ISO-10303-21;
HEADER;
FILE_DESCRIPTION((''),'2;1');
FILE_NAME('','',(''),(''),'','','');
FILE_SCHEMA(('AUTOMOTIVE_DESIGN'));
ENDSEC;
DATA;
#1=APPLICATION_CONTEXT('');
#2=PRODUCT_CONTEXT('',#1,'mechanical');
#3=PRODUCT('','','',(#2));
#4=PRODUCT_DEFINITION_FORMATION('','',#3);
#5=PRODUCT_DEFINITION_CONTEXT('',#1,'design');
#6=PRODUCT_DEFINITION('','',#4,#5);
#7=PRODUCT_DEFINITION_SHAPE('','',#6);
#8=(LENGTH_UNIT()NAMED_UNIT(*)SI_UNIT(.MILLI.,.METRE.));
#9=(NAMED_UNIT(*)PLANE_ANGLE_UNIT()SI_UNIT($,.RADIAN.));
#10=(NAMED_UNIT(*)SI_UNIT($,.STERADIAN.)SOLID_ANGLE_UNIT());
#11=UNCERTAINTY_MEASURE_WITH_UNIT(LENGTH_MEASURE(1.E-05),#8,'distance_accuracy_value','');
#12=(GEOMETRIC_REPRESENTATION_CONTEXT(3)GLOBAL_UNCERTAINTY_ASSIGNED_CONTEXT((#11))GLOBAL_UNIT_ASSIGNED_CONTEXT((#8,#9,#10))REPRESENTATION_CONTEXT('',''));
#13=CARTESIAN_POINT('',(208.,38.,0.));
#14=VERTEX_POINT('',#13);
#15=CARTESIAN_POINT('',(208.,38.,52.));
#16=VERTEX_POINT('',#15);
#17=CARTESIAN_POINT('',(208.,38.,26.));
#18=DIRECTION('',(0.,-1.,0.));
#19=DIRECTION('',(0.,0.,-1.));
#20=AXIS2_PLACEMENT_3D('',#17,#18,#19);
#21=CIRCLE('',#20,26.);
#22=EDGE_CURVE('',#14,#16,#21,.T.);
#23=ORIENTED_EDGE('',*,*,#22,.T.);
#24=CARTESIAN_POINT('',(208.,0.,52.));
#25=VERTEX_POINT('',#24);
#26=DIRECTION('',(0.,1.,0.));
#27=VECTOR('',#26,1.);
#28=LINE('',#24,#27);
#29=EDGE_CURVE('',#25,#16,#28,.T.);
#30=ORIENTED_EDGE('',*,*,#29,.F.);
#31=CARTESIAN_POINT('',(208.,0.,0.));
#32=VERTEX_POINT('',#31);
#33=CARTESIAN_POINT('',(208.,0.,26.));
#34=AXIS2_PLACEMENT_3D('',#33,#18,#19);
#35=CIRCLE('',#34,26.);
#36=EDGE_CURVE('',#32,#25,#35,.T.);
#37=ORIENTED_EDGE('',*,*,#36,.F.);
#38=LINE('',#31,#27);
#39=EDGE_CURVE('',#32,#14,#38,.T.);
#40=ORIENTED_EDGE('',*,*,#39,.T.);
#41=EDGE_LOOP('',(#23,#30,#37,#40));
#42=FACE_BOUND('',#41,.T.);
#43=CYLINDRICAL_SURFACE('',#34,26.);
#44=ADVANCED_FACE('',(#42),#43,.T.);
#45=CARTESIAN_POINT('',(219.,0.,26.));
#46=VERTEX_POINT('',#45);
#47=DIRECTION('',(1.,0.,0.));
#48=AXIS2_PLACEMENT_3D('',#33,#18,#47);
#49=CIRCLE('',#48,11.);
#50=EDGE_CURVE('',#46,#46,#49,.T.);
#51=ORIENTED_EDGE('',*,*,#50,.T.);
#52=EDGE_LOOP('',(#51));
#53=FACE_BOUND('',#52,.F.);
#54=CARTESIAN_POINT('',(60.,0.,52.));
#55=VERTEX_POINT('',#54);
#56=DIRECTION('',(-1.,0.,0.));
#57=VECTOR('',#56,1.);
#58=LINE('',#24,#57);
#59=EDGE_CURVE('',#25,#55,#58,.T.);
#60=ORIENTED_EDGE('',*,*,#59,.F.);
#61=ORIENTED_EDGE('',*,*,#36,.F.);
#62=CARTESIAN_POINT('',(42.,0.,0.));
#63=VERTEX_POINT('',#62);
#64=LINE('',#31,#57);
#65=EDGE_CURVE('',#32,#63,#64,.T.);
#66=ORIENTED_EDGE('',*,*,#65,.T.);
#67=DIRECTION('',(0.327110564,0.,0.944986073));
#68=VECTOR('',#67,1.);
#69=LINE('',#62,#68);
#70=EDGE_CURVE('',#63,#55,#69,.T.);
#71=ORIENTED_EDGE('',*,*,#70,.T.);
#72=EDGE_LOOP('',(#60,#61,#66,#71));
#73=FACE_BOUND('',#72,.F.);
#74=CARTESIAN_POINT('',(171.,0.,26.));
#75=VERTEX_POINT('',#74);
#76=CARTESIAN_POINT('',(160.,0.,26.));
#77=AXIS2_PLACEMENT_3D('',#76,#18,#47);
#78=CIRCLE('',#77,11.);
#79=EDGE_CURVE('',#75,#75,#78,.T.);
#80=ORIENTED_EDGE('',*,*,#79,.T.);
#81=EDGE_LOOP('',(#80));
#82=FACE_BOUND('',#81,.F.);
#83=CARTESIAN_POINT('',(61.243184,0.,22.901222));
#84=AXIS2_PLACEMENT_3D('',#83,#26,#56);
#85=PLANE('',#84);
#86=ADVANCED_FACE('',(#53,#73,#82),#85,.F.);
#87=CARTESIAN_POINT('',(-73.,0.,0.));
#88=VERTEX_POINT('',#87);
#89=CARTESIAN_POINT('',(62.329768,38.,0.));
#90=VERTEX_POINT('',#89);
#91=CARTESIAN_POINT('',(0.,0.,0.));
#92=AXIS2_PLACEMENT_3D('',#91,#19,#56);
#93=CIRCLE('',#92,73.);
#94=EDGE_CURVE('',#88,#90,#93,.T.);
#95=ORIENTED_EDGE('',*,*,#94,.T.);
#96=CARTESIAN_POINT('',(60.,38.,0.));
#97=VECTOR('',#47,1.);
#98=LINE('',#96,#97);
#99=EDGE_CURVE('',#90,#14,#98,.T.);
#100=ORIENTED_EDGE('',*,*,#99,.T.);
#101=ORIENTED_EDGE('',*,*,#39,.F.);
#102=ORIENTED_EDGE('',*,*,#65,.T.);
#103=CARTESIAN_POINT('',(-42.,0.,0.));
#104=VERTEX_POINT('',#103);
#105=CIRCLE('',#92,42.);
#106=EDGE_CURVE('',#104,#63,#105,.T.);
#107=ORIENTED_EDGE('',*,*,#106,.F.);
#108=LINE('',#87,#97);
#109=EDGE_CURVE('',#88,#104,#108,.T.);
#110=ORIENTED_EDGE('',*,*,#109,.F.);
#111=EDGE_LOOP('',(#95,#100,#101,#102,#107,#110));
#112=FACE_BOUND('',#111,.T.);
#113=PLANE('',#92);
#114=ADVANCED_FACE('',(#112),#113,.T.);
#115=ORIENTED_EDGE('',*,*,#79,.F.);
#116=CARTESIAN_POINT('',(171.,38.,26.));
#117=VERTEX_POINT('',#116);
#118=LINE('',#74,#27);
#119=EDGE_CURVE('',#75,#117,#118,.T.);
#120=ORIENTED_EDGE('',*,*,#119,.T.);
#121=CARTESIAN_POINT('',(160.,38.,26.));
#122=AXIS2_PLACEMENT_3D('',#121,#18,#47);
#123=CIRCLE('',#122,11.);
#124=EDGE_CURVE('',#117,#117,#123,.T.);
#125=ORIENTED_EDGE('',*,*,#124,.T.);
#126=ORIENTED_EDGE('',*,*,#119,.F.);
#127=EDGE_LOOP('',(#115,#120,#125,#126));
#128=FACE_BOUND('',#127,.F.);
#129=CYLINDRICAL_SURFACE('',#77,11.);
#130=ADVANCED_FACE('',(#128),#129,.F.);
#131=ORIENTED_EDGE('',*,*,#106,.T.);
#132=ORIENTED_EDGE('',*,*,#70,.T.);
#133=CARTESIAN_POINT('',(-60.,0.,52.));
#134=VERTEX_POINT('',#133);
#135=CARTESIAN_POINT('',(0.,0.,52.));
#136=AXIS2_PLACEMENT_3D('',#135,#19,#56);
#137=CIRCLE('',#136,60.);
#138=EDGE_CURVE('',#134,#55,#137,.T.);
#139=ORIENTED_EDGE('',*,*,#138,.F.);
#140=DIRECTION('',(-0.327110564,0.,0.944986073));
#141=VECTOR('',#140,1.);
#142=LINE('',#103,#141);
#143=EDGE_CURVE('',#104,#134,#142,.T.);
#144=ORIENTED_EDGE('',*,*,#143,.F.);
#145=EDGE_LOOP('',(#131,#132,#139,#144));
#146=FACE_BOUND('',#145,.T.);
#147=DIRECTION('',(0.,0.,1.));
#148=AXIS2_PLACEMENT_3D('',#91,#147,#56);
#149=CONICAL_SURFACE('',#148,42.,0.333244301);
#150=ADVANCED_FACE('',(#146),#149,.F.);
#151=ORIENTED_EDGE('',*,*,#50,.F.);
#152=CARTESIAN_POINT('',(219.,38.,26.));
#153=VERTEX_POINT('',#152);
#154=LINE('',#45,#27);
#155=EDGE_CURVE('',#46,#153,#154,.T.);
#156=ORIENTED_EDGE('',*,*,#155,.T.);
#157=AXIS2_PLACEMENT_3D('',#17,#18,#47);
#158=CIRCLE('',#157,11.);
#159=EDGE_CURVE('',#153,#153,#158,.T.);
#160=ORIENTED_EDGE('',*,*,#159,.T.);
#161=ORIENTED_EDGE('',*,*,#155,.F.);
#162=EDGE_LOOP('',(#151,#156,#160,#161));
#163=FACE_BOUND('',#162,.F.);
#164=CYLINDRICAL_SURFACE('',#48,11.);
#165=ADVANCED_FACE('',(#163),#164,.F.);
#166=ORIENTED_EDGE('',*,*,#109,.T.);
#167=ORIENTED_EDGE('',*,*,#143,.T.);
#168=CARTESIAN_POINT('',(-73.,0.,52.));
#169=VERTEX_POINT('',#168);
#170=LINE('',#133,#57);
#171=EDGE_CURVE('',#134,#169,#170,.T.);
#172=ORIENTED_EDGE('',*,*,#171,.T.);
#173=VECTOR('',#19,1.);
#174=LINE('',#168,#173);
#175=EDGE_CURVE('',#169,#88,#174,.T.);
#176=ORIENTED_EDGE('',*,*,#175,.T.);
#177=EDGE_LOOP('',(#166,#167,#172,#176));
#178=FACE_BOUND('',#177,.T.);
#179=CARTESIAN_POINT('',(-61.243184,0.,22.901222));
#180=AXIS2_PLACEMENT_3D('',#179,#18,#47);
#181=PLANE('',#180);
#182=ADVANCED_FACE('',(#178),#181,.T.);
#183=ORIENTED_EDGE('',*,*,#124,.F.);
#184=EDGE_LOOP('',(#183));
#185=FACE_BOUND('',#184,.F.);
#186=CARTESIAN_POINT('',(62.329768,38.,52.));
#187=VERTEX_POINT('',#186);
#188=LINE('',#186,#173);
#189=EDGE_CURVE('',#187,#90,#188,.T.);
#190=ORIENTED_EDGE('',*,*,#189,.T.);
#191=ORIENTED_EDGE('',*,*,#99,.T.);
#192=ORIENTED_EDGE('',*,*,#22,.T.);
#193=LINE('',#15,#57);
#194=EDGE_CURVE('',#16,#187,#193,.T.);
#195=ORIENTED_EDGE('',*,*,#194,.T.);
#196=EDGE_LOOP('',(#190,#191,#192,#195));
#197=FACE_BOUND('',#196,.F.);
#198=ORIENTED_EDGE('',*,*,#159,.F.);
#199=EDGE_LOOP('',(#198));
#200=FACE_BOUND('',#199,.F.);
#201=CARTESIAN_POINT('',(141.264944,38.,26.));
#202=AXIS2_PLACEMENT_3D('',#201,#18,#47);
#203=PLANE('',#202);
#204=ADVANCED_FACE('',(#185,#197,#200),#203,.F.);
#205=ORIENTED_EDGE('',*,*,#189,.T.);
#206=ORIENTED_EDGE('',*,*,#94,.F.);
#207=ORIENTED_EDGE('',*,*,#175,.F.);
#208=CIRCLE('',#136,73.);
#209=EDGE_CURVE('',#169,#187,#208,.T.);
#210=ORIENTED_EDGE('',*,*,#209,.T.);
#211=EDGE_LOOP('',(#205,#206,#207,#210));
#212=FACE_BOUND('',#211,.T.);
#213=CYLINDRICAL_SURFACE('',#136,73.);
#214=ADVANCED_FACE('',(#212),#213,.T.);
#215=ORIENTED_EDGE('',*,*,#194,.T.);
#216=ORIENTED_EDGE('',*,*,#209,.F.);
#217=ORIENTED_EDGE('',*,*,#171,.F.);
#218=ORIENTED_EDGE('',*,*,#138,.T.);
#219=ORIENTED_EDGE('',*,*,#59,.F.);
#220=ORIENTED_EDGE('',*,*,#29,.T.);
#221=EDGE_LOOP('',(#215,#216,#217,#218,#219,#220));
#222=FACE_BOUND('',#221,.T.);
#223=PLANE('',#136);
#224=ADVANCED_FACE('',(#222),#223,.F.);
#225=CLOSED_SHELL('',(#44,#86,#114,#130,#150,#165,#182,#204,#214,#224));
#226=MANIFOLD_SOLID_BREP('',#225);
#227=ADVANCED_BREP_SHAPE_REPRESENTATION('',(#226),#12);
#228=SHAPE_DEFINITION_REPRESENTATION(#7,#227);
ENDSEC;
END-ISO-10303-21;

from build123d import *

# Parameters (mm, degrees)
F1_ANGLE = 180
F2_R     = 11
F3_DEPTH = 38


with BuildPart() as f1:
    # F0 (on Front) → F1 (revolve)
    with BuildSketch(Plane.XZ):
        Polygon((-73, 0), (-42, 0), (-60, 52), (-73, 52), align=None)
    revolve(axis=Axis((0, 0, 26.369863), (0, 0, -1)), revolution_arc=F1_ANGLE)

    # F2 (on Front) → F3 (join)
    with BuildSketch(Plane.XZ):
        with BuildLine():
            Line((60, 52), (60, 0))
            Line((60, 0), (208, 0))
            ThreePointArc((208, 0), (234, 26), (208, 52))
            Line((208, 52), (73, 52))
            Line((73, 52), (60, 52))
        make_face()
        with Locations((160, 26)):
            Circle(F2_R, mode=Mode.SUBTRACT)
        with Locations((208, 26)):
            Circle(F2_R, mode=Mode.SUBTRACT)
    extrude(amount=-F3_DEPTH)


solid = f1.part
